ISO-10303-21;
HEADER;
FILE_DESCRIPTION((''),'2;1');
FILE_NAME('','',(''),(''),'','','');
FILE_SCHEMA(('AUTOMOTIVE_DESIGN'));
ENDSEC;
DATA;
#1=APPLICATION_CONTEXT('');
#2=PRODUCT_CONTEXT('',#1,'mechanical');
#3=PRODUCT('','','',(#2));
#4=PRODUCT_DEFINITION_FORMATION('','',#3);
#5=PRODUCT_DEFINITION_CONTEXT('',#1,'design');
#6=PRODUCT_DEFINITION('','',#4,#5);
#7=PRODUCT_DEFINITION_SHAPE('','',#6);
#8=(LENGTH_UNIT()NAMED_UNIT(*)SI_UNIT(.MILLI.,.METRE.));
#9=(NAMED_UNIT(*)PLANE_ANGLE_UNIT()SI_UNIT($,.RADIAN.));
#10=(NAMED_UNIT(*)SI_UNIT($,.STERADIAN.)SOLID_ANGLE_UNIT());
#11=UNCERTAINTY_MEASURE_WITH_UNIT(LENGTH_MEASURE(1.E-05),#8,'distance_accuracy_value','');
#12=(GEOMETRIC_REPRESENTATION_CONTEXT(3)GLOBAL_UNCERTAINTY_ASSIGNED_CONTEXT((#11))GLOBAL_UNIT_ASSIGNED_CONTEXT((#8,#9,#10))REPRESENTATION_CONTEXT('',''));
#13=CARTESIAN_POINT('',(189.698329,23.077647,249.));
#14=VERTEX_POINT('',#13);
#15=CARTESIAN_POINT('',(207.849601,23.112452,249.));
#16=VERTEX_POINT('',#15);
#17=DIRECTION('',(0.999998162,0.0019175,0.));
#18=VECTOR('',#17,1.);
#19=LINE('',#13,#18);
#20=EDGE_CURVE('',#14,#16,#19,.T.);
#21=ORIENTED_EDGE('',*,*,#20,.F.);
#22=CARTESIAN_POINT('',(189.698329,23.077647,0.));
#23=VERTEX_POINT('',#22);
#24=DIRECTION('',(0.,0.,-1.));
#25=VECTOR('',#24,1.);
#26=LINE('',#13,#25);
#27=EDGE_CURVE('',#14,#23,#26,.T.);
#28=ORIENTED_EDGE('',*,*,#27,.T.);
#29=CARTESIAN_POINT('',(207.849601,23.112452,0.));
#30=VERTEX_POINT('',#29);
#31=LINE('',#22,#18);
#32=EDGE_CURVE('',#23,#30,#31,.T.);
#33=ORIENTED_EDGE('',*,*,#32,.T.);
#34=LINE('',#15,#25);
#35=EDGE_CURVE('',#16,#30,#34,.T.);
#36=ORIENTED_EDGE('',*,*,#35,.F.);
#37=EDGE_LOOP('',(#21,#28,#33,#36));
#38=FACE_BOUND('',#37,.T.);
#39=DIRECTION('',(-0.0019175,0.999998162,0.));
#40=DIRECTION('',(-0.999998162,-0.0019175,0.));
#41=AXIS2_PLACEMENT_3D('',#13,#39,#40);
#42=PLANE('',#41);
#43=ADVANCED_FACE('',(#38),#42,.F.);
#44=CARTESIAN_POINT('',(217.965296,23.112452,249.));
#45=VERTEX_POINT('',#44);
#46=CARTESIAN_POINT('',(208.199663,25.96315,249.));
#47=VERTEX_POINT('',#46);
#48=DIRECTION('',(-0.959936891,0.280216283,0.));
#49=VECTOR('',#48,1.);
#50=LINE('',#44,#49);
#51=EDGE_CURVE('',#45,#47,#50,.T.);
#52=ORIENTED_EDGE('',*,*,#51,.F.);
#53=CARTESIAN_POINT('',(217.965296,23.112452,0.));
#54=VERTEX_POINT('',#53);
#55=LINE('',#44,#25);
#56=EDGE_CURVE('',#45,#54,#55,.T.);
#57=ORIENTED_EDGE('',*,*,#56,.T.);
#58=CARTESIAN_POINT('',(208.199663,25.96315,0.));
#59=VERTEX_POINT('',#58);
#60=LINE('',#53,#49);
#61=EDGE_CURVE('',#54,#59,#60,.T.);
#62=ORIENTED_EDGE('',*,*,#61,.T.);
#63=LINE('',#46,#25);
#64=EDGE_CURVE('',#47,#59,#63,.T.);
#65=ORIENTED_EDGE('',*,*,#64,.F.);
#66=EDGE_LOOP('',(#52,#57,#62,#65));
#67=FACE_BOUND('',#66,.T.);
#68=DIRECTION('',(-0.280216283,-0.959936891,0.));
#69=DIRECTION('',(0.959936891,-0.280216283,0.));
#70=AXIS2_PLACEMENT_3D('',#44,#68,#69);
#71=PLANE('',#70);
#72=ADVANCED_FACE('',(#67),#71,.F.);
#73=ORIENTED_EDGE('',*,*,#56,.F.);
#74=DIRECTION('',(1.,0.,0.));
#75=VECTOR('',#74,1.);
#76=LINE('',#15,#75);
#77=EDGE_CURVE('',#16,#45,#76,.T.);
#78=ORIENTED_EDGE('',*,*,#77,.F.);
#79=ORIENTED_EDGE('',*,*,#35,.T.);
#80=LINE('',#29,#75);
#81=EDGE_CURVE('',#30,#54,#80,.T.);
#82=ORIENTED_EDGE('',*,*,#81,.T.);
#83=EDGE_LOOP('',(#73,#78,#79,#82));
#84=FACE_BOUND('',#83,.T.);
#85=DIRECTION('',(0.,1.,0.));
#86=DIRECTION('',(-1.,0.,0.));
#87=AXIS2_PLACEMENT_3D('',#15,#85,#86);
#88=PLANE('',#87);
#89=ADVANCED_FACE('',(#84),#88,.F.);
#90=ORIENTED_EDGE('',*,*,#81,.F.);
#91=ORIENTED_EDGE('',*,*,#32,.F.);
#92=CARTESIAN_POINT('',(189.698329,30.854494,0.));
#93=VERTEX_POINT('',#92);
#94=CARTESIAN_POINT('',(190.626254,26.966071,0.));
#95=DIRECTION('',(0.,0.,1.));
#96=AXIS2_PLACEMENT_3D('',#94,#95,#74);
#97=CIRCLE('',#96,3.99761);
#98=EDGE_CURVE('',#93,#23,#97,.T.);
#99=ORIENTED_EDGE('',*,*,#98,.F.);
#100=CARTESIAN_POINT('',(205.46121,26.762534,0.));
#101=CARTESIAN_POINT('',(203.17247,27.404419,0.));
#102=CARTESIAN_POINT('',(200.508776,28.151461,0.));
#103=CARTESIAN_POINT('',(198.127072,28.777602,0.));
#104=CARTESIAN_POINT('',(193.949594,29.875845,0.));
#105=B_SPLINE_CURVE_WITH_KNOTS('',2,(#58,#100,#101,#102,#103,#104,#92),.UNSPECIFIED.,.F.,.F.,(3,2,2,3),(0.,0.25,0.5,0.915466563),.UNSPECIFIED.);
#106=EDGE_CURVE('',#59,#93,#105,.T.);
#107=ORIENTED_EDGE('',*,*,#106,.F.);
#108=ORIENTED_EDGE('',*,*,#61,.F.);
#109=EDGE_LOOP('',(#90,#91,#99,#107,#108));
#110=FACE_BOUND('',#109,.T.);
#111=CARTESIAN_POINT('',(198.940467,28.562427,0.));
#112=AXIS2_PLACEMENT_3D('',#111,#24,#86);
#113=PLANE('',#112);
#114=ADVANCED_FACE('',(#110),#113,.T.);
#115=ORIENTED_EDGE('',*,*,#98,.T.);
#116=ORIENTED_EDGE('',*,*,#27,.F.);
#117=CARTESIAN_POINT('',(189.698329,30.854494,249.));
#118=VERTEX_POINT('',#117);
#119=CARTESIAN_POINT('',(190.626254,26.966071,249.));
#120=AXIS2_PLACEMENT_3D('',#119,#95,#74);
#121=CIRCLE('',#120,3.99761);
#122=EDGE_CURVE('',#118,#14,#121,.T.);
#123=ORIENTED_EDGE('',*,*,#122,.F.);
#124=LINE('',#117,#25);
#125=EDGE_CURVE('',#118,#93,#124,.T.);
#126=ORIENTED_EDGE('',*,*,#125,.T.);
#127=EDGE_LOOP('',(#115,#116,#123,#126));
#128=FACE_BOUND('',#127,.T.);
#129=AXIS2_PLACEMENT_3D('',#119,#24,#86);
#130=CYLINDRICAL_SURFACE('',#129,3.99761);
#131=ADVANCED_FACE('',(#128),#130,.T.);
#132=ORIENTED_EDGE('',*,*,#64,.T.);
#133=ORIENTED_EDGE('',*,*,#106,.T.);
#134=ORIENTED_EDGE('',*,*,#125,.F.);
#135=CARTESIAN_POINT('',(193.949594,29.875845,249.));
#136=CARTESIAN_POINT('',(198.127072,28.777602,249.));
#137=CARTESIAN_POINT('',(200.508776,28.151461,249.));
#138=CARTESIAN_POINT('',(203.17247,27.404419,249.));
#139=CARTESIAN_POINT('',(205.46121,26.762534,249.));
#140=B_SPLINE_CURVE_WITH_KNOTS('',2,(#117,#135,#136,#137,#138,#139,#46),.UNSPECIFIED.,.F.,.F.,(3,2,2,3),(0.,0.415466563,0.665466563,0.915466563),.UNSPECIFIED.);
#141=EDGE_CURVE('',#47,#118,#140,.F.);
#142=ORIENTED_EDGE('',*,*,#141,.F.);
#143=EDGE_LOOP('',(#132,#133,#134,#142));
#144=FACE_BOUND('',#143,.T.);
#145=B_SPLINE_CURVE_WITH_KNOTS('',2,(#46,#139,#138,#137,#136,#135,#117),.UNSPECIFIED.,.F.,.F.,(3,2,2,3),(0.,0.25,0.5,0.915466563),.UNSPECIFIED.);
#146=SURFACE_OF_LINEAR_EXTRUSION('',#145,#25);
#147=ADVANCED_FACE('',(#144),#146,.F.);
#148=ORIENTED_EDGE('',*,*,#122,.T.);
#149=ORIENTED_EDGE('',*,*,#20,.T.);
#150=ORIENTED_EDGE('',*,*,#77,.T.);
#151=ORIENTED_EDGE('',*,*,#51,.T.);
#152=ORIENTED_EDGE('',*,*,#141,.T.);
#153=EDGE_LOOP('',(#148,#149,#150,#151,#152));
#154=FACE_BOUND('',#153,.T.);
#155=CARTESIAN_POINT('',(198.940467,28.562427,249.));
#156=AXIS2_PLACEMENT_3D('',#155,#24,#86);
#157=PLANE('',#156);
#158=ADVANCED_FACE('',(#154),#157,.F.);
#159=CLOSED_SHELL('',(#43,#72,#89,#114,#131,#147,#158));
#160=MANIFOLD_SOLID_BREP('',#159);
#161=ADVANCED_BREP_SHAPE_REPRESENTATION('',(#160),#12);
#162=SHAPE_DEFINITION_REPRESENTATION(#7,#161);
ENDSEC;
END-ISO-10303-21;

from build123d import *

# Parameters (mm, degrees)
BOSS_EXTRUDE1_DEPTH = 249


with BuildPart() as part:
    # Sketch1 → Boss-Extrude1 (new body)
    with BuildSketch(Plane.XY):
        with BuildLine():
            Line((189.698329187, 23.077647259), (207.849600842, 23.11245238))
            Line((207.849600842, 23.11245238), (217.965296171, 23.11245238))
            Line((217.965296171, 23.11245238), (208.199662873, 25.963149641))
            add(Edge.make_bspline(
                [(208.199662873, 25.963149641), (205.461210323, 26.762534479), (203.172469982, 27.404419223), (200.508776125, 28.151460912), (198.127071623, 28.777602141), (193.949594484, 29.875845298), (189.698329187, 30.854494337)],
                knots=[0, 0, 0, 0.25, 0.25, 0.5, 0.5, 0.915466563, 0.915466563, 0.915466563], degree=2))
            ThreePointArc((189.698329187, 30.854494337), (186.628644326, 26.966070798), (189.698329187, 23.077647259))
        make_face()
    extrude(amount=BOSS_EXTRUDE1_DEPTH)


solid = part.part
